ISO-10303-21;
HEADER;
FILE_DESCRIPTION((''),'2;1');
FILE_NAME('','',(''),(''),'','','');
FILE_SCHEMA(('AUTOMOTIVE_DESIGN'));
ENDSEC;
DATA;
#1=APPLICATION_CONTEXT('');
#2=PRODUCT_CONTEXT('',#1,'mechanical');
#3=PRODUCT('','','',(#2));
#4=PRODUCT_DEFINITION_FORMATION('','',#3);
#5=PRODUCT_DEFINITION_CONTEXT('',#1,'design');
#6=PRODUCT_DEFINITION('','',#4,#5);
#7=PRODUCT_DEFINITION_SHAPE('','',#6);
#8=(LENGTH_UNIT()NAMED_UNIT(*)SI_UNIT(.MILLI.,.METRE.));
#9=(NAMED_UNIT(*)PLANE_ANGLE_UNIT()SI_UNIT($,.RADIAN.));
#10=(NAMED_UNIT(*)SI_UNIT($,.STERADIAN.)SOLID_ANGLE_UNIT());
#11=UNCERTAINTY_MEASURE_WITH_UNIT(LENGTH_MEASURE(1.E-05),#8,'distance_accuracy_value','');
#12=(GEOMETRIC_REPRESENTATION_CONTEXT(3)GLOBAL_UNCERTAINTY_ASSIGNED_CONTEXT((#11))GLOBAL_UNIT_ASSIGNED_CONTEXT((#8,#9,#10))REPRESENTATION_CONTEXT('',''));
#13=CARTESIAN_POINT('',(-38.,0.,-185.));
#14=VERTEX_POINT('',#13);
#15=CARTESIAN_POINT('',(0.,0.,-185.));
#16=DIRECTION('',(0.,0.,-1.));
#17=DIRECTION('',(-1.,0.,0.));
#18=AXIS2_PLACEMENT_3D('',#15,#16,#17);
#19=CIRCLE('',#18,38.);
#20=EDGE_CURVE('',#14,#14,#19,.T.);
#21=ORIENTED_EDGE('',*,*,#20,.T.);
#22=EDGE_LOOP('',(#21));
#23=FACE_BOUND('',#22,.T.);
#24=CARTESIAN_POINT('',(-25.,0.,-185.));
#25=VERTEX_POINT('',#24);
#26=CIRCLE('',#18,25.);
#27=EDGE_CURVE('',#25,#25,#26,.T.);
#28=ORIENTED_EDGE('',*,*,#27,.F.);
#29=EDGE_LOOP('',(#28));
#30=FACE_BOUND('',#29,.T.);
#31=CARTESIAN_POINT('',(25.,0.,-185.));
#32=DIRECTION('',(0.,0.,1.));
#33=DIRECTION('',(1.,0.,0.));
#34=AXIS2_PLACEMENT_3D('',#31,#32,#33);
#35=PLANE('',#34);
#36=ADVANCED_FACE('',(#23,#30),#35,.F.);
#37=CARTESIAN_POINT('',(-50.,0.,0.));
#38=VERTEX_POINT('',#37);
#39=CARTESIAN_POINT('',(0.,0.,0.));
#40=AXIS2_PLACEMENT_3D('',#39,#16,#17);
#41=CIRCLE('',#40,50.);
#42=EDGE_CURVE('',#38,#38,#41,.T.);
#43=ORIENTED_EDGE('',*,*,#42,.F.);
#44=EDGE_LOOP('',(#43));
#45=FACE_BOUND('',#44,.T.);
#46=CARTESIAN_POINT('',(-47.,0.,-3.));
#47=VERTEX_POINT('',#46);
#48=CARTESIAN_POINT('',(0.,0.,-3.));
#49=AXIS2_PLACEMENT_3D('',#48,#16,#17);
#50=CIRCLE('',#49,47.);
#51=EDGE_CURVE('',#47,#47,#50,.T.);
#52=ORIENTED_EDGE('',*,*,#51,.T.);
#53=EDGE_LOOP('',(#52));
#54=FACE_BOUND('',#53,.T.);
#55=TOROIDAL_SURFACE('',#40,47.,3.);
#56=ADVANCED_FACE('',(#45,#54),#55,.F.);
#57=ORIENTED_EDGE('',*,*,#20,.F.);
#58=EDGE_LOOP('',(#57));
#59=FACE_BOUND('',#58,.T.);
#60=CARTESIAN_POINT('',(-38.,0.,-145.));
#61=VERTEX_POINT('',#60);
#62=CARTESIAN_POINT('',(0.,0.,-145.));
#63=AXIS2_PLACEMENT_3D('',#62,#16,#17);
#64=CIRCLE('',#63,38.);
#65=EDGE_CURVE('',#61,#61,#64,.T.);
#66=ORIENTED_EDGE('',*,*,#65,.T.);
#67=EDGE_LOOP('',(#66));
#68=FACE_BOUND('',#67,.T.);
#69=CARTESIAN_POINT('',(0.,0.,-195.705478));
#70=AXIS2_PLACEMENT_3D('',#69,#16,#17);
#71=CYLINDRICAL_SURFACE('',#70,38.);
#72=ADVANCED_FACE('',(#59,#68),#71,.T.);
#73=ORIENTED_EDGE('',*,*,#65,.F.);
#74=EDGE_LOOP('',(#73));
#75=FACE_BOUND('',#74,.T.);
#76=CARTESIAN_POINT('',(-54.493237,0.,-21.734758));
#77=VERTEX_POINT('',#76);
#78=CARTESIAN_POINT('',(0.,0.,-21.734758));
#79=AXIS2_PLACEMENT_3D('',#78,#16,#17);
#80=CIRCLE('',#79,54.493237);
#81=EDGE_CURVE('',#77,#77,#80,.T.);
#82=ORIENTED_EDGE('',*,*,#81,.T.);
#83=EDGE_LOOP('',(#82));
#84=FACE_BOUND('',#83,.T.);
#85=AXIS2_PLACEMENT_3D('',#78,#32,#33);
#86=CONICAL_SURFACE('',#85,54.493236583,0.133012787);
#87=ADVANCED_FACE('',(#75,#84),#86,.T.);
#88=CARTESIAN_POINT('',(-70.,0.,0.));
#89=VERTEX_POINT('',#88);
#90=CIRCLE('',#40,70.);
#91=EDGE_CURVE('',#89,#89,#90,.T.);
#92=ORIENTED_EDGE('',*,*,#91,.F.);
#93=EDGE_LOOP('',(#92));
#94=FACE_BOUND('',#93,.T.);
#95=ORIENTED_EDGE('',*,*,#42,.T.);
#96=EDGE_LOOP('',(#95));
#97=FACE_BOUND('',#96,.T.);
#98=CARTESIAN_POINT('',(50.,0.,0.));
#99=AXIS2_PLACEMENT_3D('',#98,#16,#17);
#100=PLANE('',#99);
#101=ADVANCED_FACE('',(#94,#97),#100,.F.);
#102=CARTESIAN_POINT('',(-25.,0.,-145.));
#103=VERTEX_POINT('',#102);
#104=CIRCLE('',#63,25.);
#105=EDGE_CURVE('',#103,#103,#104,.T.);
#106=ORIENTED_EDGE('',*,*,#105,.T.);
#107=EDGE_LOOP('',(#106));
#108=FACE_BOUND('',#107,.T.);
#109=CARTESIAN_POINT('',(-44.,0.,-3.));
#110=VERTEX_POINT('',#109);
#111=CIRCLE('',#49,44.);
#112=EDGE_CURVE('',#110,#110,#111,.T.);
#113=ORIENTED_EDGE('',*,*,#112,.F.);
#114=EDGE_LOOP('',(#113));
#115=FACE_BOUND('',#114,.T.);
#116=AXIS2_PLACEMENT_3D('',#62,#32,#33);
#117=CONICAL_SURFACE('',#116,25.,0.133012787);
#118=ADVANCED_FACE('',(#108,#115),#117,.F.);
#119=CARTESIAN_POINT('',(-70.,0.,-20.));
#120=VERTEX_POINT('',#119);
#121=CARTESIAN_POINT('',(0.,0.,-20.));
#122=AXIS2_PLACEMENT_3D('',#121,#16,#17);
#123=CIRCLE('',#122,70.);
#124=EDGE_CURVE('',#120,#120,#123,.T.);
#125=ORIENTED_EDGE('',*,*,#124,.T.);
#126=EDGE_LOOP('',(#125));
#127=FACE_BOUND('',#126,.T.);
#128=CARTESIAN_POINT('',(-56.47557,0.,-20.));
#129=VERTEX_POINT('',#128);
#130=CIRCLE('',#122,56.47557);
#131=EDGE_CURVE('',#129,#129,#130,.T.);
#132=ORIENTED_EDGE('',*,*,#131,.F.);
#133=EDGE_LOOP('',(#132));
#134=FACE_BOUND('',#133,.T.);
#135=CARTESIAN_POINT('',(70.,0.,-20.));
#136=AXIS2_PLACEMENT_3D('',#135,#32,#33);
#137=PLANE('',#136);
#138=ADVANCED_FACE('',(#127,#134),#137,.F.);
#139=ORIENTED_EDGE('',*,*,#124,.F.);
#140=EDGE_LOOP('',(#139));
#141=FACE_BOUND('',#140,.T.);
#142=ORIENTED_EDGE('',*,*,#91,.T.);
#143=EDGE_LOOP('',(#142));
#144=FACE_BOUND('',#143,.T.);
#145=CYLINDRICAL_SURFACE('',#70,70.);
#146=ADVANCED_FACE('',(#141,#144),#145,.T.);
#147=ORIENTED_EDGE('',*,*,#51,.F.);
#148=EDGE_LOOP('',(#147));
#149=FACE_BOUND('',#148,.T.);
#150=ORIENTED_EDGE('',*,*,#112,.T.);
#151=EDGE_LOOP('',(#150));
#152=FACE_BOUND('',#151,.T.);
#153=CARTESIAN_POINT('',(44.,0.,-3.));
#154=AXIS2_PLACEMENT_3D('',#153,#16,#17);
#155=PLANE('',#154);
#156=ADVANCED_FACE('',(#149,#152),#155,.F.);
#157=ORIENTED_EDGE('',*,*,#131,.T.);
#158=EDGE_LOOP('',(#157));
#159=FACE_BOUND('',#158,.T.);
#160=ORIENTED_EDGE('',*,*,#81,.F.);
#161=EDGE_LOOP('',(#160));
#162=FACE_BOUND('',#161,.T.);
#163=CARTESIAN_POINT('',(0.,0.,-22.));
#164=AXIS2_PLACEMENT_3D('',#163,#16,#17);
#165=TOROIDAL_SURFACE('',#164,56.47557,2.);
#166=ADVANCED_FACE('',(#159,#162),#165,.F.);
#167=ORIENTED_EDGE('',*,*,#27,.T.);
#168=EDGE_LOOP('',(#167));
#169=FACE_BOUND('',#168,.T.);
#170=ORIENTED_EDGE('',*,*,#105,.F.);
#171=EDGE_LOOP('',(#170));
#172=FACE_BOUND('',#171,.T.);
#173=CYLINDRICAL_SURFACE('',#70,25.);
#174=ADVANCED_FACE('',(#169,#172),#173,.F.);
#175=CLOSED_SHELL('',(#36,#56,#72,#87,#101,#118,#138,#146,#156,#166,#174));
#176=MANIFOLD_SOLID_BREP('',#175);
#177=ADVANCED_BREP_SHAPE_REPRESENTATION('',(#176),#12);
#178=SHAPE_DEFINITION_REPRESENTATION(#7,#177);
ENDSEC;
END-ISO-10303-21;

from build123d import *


with BuildPart() as part:
    # Sketch1 → Revolve1 (revolve)
    with BuildSketch(Plane(origin=(0, 0, 0), x_dir=(1, 0, 0), z_dir=(0, 1, 0)), mode=Mode.PRIVATE) as revolve1_sk:
        with BuildLine():
            Line((44, 3), (47, 3))
            ThreePointArc((47, 3), (49.121320344, 2.121320344), (50, 0))
            Line((50, 0), (70, 0))
            Line((70, 0), (70, 20))
            Line((70, 20), (56.475570251, 20))
            ThreePointArc((56.475570251, 20), (55.158468064, 20.494927966), (54.493236583, 21.734758171))
            Line((54.493236583, 21.734758171), (38, 145))
            Line((38, 145), (38, 185))
            Line((38, 185), (25, 185))
            Line((25, 185), (25, 145))
            Line((25, 145), (44, 3))
        make_face()
    revolve(revolve1_sk.sketch.rotate(Axis((0, 0, -195.705477905), (0, 0, 1)), 180), axis=Axis((0, 0, -195.705477905), (0, 0, 1)))


solid = part.part
